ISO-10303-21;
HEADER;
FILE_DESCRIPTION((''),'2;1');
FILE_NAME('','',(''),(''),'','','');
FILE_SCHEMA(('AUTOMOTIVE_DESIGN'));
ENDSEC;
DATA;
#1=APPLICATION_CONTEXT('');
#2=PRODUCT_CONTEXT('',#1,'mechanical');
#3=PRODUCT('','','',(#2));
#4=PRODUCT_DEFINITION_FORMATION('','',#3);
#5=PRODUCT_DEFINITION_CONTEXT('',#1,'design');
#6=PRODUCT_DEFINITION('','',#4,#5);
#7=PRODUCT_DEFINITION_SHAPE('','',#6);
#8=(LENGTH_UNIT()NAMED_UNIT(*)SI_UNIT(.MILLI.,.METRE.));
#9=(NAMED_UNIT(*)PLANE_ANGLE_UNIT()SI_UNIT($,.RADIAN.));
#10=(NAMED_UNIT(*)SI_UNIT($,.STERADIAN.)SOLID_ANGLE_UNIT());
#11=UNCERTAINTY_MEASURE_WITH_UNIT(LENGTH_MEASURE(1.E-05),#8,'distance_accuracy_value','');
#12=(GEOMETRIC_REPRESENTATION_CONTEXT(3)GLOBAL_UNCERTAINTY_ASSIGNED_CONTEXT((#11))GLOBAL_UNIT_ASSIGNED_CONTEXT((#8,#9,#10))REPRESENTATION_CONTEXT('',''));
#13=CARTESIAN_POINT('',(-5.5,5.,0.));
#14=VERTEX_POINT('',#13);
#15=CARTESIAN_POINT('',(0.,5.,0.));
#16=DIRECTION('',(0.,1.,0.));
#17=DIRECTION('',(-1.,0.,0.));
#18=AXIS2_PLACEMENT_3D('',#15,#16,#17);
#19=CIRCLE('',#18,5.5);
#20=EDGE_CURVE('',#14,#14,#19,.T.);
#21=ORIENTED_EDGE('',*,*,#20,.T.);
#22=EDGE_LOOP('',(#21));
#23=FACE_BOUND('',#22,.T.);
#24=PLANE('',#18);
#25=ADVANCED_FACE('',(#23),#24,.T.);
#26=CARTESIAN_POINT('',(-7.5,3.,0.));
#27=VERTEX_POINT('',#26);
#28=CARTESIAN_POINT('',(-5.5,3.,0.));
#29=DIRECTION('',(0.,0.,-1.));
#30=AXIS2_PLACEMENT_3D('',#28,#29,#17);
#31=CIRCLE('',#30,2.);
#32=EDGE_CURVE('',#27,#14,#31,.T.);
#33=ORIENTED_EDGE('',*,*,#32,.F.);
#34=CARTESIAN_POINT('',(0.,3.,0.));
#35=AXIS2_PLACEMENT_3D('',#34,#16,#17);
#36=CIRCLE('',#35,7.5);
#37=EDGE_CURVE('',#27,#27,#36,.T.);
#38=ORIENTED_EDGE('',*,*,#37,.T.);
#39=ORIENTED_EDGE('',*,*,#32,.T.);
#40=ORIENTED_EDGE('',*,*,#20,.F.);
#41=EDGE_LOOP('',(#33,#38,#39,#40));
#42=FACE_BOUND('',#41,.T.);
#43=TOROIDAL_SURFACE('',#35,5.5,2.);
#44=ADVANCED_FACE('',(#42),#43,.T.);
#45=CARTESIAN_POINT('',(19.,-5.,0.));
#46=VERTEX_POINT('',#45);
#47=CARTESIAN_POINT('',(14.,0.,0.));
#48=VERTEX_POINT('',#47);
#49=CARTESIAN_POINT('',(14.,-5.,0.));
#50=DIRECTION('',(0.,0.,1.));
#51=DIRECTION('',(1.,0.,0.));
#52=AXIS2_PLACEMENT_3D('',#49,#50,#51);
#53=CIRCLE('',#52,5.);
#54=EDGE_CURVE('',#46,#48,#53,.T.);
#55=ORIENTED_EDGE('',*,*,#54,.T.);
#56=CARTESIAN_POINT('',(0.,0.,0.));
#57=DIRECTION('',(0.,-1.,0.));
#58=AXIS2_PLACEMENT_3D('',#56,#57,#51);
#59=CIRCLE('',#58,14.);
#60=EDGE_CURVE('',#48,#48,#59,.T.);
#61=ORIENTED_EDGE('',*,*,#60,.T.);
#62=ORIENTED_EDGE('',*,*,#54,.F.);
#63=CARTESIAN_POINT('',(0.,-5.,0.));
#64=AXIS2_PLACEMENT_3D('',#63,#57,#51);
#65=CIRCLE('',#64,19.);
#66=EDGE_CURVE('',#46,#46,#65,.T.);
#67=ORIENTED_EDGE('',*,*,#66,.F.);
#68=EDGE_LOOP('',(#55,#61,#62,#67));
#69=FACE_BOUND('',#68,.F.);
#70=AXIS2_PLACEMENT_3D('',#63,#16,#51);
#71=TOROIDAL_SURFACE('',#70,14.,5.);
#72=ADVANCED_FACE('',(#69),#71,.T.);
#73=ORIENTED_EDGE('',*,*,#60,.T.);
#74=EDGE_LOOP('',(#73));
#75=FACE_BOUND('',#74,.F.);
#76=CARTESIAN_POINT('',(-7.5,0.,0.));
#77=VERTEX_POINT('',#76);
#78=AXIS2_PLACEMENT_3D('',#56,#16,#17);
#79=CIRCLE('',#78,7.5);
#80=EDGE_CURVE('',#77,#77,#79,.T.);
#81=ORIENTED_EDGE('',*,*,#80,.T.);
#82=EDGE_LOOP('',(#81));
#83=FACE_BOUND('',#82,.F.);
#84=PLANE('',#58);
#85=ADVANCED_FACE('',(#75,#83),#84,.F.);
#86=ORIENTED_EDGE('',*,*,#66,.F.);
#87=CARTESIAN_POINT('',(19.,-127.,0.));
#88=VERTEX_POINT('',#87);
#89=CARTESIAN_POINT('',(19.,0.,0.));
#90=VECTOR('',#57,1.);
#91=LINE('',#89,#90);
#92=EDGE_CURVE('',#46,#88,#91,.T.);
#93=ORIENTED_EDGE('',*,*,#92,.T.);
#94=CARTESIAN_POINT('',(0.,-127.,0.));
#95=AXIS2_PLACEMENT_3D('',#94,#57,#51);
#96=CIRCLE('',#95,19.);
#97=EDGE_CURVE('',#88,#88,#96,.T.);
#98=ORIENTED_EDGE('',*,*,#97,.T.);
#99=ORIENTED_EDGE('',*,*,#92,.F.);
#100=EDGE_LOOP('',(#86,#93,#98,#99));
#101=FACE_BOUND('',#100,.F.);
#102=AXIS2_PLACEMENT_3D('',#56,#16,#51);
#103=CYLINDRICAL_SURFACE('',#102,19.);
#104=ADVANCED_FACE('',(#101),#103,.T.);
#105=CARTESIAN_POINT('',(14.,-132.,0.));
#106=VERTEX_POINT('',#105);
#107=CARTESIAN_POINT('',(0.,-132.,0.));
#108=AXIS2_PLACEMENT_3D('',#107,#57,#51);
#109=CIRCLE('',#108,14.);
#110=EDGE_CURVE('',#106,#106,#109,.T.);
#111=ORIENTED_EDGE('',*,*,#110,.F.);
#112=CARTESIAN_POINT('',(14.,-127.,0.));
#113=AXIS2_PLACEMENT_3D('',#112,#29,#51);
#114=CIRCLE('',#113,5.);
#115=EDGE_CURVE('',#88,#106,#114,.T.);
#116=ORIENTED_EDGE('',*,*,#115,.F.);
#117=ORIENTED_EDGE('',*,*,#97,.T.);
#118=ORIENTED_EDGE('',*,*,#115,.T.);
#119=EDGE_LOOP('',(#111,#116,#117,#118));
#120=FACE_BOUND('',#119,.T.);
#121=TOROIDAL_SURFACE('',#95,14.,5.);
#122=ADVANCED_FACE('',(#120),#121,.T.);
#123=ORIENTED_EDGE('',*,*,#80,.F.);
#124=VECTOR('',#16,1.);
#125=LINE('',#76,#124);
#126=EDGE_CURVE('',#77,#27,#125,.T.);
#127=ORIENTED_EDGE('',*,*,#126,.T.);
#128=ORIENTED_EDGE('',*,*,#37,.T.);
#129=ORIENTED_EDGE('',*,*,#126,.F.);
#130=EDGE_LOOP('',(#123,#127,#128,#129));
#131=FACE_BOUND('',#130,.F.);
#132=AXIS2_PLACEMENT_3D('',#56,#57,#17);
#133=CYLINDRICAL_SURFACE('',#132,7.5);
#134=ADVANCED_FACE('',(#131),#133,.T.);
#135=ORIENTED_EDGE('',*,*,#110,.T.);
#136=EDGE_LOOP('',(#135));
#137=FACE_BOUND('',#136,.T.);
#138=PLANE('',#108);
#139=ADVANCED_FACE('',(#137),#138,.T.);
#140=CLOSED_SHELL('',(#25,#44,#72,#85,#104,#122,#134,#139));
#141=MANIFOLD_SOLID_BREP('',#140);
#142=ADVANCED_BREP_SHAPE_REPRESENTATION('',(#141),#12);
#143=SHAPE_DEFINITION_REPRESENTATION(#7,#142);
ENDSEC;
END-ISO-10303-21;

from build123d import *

# Parameters (mm, degrees)
F0_R     = 19
F1_DEPTH = 132
F2_R     = 5
F3_R     = 7.5
F4_DEPTH = 5
F5_R     = 2


with BuildPart() as f1:
    # F0 (on Front) → F1 (new body)
    with BuildSketch(Plane.XZ):
        Circle(F0_R)
    extrude(amount=F1_DEPTH)

    # F2
    f2_edges = [f1.edges().sort_by_distance(p)[0] for p in [
        (-19, -132, 0),
        (-19, 0, 0),
    ]]
    fillet(f2_edges, radius=F2_R)

    # F3 (on face) → F4 (join)
    with BuildSketch(Plane(origin=(0, 0, 0), x_dir=(-1, 0, 0), z_dir=(0, 1, 0))):
        Circle(F3_R)
    extrude(amount=F4_DEPTH)

    # F5
    f5_edges = [f1.edges().sort_by_distance(p)[0] for p in [
        (7.5, 5, 0),
    ]]
    fillet(f5_edges, radius=F5_R)


solid = f1.part
